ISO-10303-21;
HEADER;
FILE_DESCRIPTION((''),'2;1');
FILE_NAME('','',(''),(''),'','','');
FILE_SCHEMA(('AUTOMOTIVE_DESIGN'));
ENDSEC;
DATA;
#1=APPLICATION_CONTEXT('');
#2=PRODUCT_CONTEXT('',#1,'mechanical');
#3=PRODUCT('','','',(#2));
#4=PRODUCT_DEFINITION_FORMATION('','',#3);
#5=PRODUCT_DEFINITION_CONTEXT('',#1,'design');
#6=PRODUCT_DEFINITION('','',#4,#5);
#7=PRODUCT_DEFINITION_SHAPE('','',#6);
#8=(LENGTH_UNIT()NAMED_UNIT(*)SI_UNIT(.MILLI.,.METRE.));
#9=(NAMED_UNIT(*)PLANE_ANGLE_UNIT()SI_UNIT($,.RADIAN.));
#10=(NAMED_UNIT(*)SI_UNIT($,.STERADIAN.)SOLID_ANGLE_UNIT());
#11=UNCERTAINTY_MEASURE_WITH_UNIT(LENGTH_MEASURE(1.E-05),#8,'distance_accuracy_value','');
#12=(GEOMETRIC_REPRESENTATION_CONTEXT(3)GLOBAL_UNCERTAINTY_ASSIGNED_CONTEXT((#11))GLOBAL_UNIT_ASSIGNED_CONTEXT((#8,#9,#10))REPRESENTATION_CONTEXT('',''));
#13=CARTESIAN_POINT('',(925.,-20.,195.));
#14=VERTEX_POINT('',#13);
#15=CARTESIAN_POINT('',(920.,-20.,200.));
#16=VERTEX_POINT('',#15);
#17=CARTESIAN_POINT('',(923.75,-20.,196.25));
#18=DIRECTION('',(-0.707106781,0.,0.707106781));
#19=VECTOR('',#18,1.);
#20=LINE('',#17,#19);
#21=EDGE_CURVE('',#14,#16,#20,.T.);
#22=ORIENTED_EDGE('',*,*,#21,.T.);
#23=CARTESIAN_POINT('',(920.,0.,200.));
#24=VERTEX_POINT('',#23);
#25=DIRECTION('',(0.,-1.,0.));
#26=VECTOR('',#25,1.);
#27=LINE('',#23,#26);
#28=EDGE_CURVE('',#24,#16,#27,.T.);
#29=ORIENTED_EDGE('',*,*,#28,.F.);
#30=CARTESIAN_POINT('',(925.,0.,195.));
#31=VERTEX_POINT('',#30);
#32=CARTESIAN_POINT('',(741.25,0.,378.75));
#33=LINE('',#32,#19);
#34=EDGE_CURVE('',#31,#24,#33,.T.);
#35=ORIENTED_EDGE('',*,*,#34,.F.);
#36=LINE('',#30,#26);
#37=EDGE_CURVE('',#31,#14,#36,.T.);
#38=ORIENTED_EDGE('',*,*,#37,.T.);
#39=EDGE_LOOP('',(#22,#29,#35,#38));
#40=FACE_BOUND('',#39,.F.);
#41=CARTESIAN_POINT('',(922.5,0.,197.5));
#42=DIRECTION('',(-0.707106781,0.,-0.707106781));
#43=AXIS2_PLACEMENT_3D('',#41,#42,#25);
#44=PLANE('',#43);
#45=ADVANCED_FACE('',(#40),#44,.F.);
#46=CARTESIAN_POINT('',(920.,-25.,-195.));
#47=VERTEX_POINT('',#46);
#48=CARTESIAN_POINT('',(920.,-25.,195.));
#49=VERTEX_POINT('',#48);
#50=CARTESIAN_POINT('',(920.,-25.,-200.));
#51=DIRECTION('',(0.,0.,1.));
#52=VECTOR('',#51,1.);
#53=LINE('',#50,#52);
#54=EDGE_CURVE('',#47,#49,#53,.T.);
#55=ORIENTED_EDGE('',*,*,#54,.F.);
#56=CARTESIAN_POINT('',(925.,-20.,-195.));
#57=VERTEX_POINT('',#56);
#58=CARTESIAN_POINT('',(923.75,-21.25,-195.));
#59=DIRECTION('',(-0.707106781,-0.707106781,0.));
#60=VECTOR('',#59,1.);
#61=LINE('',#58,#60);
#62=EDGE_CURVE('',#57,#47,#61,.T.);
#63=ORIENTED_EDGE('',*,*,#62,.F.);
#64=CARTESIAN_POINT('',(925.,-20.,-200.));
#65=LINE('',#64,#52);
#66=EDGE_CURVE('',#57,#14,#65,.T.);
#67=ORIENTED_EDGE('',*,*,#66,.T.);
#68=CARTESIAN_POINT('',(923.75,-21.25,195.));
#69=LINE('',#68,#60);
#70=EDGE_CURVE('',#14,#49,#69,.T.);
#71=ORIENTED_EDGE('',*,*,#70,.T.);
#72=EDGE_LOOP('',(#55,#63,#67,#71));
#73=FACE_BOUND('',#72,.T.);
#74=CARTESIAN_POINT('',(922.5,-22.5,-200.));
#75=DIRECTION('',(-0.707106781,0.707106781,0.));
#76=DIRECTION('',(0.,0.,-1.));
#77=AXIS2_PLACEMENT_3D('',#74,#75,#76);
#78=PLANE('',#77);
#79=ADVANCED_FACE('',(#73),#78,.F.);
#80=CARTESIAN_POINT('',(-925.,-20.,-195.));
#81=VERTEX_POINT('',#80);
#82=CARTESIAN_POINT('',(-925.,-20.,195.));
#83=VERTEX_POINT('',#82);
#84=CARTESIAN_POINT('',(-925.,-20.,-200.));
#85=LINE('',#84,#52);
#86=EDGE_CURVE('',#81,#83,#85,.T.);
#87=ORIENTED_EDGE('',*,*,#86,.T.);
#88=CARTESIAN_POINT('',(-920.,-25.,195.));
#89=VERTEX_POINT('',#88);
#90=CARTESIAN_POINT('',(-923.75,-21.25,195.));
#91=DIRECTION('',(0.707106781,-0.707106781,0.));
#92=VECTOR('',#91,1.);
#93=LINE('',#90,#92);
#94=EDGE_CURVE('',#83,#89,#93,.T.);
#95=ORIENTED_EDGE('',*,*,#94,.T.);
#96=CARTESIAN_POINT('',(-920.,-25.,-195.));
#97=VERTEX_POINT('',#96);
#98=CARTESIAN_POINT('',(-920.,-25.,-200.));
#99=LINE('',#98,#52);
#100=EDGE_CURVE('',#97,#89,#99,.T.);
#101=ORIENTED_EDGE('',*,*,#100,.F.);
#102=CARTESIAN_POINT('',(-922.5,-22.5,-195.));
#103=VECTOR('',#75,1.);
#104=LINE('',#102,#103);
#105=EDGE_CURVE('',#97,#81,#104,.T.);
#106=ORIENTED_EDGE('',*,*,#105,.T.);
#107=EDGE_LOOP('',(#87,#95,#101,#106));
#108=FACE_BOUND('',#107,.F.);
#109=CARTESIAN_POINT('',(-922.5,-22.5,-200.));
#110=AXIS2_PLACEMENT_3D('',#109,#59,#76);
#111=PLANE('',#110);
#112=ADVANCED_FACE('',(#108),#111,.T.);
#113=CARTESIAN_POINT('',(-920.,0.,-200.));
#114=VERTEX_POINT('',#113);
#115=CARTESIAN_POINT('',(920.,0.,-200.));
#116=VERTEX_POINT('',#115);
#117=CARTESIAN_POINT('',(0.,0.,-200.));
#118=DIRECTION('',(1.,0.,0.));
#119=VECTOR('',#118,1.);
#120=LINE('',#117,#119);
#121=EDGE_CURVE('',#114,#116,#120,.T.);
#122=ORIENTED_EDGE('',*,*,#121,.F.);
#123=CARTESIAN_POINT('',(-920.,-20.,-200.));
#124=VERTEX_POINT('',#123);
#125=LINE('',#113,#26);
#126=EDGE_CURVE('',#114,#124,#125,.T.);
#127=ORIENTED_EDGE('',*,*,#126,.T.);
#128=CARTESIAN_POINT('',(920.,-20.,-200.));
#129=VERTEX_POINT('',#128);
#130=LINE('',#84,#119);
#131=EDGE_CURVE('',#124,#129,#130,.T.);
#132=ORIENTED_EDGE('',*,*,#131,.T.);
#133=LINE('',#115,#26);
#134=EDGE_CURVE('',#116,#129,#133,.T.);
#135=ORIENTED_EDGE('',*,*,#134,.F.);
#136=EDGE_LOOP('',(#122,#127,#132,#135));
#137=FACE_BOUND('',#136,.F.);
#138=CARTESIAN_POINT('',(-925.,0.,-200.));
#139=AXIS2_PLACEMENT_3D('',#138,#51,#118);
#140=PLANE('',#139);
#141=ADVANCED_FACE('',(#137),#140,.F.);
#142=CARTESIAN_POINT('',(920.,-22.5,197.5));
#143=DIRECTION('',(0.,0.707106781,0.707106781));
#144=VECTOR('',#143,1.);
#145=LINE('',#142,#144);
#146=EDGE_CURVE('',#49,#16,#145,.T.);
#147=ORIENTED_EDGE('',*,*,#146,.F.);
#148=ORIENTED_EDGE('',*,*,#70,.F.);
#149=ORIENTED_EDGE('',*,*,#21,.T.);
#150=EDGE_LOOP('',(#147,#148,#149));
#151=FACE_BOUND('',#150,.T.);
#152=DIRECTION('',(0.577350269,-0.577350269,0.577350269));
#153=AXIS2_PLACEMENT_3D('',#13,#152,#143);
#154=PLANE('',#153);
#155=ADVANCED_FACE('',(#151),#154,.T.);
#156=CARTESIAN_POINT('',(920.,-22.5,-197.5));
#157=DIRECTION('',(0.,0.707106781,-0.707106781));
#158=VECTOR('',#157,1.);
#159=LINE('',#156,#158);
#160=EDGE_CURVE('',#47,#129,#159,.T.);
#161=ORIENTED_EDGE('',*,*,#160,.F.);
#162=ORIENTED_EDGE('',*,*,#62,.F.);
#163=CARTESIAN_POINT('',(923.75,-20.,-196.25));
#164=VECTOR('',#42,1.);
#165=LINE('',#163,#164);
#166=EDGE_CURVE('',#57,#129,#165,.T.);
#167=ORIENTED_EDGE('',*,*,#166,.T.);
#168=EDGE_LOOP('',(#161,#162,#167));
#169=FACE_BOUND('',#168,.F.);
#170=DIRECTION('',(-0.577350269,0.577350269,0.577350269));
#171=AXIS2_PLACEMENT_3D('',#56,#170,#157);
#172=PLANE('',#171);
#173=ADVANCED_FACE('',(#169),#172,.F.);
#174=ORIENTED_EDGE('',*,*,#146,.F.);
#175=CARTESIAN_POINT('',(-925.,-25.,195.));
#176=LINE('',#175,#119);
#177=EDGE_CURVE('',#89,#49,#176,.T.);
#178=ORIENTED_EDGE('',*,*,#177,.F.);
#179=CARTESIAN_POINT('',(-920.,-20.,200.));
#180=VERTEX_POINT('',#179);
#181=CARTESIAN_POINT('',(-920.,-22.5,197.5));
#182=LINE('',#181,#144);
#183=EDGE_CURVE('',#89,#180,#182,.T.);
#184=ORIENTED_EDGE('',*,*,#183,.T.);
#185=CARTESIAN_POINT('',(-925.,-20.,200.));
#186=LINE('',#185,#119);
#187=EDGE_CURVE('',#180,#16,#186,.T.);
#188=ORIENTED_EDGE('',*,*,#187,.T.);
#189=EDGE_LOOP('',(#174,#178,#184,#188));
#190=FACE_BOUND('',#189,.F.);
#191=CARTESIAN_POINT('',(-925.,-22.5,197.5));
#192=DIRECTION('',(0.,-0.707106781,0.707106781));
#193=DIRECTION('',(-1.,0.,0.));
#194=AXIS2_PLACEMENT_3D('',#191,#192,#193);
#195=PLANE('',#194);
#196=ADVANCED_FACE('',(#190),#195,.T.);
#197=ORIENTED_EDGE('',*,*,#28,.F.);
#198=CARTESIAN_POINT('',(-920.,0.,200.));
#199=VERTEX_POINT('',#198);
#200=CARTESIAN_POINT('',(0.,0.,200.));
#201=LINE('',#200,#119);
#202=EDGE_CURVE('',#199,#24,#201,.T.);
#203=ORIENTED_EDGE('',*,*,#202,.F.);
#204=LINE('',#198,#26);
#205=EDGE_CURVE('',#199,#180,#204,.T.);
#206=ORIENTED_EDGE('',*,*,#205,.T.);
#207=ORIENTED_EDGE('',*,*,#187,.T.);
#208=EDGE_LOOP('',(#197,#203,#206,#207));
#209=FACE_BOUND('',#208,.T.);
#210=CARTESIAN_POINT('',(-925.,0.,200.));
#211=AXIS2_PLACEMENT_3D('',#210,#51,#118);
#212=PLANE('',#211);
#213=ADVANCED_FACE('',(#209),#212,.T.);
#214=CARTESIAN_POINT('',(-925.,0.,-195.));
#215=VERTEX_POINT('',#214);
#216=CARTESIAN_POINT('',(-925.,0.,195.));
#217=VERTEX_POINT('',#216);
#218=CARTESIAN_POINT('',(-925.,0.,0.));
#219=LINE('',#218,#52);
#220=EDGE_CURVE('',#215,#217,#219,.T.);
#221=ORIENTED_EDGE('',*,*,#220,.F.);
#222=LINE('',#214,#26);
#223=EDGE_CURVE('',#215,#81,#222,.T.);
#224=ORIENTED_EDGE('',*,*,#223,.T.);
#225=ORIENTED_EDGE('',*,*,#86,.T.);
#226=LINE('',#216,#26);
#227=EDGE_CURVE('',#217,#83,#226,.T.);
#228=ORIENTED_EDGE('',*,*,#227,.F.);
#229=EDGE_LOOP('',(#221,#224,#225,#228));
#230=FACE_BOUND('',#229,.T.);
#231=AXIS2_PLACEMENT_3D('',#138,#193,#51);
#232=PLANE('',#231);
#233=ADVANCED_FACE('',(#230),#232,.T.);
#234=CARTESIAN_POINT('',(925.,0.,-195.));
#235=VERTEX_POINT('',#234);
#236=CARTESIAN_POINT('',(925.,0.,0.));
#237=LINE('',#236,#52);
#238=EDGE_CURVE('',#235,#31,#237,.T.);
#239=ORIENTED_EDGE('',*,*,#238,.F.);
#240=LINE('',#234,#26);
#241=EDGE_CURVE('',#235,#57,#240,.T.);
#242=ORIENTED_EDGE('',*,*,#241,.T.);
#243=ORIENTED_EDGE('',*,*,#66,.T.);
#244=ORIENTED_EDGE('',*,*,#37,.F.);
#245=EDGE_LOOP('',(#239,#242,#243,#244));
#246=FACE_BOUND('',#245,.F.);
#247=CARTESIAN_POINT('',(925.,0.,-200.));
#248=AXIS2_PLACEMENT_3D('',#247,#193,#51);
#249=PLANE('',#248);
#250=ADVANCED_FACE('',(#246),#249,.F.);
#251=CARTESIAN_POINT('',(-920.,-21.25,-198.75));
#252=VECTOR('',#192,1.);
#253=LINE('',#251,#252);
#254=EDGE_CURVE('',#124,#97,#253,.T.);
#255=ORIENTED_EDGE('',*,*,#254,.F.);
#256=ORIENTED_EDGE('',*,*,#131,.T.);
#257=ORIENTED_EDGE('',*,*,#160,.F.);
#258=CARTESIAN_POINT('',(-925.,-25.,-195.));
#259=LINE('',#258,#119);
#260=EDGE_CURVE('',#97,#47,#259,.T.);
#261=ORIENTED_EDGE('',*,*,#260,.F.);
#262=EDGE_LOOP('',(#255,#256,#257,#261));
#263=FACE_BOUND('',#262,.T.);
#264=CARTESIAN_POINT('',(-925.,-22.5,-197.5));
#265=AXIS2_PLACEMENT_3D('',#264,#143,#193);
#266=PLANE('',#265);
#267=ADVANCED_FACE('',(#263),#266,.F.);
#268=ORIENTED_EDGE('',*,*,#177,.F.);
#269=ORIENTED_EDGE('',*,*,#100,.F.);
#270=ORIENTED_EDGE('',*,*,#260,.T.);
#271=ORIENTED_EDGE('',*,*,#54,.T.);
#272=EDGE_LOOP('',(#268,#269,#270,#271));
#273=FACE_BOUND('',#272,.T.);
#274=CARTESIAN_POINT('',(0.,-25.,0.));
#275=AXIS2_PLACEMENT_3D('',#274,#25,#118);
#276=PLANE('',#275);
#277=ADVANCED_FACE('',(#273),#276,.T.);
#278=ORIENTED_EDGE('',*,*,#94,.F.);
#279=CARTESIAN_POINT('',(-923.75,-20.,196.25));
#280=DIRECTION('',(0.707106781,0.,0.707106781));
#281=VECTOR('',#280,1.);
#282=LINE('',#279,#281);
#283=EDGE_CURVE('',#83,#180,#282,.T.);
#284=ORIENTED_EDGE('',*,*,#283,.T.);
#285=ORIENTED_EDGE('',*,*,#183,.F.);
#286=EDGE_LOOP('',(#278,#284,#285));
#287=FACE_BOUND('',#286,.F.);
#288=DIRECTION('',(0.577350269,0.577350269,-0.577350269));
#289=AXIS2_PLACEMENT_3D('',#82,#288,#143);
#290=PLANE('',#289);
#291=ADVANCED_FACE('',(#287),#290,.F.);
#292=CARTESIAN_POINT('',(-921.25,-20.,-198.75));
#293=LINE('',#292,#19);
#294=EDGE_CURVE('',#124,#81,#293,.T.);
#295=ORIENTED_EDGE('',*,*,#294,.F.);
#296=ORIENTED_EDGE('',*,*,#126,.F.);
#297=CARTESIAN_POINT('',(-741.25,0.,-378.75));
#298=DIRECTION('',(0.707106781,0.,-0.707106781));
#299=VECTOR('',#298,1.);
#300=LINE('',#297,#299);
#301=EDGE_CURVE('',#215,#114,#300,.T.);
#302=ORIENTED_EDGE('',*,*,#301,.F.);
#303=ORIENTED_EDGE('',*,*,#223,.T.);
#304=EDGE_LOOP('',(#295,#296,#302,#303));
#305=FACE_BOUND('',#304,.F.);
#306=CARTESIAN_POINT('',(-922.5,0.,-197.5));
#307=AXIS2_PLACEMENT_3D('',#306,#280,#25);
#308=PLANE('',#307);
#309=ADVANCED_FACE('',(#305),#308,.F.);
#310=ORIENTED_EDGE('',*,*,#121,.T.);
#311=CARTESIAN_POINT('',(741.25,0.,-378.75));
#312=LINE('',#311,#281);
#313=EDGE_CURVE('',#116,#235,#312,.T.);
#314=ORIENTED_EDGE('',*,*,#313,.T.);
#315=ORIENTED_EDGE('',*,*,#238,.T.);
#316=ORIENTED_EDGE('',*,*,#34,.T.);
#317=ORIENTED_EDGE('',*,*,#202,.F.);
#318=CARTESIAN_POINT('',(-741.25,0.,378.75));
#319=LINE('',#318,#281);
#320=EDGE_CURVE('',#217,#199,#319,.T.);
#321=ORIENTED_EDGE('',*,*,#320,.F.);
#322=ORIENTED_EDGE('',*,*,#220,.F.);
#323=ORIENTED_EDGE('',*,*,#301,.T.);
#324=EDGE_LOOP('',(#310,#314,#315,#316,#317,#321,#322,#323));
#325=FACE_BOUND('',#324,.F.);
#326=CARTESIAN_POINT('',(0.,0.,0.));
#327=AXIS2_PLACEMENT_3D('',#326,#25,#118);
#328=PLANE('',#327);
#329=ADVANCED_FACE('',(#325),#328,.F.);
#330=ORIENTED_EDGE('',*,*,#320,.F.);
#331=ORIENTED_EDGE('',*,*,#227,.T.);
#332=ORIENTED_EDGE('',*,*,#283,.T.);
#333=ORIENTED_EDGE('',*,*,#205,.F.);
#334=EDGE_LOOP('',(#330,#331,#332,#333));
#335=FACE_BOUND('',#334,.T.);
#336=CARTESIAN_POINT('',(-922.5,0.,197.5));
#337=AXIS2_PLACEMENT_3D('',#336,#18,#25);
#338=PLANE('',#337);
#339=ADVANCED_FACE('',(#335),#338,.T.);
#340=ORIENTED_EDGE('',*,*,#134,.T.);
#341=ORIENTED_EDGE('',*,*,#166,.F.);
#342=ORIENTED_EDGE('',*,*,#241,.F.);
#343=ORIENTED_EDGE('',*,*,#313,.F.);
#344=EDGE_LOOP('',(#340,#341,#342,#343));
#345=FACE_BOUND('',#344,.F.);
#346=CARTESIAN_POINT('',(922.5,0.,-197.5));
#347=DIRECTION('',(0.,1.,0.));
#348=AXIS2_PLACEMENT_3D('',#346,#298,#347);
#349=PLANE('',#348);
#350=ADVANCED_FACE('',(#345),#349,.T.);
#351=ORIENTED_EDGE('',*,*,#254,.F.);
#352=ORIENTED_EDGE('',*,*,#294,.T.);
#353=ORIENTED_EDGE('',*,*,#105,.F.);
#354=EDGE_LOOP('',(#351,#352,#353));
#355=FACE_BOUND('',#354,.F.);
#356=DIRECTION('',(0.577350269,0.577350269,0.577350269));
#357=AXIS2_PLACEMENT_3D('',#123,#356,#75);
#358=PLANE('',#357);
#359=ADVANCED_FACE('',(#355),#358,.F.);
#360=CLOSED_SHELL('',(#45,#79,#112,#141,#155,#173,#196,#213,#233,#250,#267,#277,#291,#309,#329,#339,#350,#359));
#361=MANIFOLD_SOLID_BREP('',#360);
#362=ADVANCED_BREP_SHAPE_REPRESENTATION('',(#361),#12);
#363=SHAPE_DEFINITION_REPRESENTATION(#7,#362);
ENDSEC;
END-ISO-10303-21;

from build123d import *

# Parameters (mm, degrees)
F0_W     = 1850
F0_H     = 400
F1_DEPTH = 25
F2_SIZE  = 5


with BuildPart() as f1:
    # F0 (on Front) → F1 (new body)
    with BuildSketch(Plane.XZ):
        Rectangle(F0_W, F0_H)
    extrude(amount=F1_DEPTH)

    # F2
    f2_edges = [f1.edges().sort_by_distance(p)[0] for p in [
        (0, -25, 200),
        (-925, -25, 0),
        (0, -25, -200),
        (925, -25, 0),
        (-925, -12.5, 200),
        (-925, -12.5, -200),
        (925, -12.5, -200),
        (925, -12.5, 200),
    ]]
    chamfer(f2_edges, length=F2_SIZE)


solid = f1.part
